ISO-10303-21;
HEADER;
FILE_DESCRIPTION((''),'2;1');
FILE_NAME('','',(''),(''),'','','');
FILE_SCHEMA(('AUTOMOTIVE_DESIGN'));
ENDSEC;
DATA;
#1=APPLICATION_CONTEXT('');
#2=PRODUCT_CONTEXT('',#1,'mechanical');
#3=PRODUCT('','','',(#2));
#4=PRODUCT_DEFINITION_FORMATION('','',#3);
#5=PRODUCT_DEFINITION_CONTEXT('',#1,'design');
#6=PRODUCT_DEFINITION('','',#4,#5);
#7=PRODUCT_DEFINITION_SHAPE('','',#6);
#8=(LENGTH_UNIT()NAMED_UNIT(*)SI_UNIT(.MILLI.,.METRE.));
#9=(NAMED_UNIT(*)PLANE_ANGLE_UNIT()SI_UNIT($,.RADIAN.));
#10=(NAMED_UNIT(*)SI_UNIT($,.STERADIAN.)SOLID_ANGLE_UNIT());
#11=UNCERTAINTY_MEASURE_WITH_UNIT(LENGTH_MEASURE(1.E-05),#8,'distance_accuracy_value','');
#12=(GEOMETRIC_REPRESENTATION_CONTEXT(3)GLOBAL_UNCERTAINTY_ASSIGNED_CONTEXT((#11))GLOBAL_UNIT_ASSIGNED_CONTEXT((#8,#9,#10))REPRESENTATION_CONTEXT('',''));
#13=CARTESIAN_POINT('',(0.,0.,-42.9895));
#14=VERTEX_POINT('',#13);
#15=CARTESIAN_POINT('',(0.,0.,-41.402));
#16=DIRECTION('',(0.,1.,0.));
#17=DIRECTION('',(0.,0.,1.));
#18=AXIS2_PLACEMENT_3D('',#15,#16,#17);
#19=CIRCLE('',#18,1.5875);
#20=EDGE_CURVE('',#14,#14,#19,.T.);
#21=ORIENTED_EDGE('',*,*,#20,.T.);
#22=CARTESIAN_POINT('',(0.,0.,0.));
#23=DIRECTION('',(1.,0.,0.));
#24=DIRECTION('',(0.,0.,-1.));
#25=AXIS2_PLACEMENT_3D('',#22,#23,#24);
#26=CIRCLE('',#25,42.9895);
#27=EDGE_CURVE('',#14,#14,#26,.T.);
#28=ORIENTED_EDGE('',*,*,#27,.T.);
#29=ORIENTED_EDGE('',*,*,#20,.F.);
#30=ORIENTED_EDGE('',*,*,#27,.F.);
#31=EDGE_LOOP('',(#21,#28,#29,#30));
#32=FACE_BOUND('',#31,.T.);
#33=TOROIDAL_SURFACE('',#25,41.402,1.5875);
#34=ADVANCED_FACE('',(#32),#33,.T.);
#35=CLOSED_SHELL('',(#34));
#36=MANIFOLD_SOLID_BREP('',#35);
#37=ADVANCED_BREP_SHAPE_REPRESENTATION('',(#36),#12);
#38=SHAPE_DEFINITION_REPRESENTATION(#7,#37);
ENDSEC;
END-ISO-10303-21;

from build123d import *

# Parameters (mm, degrees)
SWEEP1_PROFILE_R = 1.5875


with BuildPart() as part:
    # Sweep1: sweep along a path in Sketch1
    with BuildLine(Plane(origin=(0, 0, 0), x_dir=(0, 0, -1), z_dir=(1, 0, 0))) as sweep1_path:
        CenterArc((0, 0), 41.402, 0, 360)
    # Sweep1 profile (on start of the path) → Sweep1 (sweep)
    with BuildSketch(Plane(origin=(0, 0, -41.402), x_dir=(0, 0, 1), z_dir=(0, 1, 0))):
        Circle(SWEEP1_PROFILE_R)
    sweep(path=sweep1_path.line)


solid = part.part
